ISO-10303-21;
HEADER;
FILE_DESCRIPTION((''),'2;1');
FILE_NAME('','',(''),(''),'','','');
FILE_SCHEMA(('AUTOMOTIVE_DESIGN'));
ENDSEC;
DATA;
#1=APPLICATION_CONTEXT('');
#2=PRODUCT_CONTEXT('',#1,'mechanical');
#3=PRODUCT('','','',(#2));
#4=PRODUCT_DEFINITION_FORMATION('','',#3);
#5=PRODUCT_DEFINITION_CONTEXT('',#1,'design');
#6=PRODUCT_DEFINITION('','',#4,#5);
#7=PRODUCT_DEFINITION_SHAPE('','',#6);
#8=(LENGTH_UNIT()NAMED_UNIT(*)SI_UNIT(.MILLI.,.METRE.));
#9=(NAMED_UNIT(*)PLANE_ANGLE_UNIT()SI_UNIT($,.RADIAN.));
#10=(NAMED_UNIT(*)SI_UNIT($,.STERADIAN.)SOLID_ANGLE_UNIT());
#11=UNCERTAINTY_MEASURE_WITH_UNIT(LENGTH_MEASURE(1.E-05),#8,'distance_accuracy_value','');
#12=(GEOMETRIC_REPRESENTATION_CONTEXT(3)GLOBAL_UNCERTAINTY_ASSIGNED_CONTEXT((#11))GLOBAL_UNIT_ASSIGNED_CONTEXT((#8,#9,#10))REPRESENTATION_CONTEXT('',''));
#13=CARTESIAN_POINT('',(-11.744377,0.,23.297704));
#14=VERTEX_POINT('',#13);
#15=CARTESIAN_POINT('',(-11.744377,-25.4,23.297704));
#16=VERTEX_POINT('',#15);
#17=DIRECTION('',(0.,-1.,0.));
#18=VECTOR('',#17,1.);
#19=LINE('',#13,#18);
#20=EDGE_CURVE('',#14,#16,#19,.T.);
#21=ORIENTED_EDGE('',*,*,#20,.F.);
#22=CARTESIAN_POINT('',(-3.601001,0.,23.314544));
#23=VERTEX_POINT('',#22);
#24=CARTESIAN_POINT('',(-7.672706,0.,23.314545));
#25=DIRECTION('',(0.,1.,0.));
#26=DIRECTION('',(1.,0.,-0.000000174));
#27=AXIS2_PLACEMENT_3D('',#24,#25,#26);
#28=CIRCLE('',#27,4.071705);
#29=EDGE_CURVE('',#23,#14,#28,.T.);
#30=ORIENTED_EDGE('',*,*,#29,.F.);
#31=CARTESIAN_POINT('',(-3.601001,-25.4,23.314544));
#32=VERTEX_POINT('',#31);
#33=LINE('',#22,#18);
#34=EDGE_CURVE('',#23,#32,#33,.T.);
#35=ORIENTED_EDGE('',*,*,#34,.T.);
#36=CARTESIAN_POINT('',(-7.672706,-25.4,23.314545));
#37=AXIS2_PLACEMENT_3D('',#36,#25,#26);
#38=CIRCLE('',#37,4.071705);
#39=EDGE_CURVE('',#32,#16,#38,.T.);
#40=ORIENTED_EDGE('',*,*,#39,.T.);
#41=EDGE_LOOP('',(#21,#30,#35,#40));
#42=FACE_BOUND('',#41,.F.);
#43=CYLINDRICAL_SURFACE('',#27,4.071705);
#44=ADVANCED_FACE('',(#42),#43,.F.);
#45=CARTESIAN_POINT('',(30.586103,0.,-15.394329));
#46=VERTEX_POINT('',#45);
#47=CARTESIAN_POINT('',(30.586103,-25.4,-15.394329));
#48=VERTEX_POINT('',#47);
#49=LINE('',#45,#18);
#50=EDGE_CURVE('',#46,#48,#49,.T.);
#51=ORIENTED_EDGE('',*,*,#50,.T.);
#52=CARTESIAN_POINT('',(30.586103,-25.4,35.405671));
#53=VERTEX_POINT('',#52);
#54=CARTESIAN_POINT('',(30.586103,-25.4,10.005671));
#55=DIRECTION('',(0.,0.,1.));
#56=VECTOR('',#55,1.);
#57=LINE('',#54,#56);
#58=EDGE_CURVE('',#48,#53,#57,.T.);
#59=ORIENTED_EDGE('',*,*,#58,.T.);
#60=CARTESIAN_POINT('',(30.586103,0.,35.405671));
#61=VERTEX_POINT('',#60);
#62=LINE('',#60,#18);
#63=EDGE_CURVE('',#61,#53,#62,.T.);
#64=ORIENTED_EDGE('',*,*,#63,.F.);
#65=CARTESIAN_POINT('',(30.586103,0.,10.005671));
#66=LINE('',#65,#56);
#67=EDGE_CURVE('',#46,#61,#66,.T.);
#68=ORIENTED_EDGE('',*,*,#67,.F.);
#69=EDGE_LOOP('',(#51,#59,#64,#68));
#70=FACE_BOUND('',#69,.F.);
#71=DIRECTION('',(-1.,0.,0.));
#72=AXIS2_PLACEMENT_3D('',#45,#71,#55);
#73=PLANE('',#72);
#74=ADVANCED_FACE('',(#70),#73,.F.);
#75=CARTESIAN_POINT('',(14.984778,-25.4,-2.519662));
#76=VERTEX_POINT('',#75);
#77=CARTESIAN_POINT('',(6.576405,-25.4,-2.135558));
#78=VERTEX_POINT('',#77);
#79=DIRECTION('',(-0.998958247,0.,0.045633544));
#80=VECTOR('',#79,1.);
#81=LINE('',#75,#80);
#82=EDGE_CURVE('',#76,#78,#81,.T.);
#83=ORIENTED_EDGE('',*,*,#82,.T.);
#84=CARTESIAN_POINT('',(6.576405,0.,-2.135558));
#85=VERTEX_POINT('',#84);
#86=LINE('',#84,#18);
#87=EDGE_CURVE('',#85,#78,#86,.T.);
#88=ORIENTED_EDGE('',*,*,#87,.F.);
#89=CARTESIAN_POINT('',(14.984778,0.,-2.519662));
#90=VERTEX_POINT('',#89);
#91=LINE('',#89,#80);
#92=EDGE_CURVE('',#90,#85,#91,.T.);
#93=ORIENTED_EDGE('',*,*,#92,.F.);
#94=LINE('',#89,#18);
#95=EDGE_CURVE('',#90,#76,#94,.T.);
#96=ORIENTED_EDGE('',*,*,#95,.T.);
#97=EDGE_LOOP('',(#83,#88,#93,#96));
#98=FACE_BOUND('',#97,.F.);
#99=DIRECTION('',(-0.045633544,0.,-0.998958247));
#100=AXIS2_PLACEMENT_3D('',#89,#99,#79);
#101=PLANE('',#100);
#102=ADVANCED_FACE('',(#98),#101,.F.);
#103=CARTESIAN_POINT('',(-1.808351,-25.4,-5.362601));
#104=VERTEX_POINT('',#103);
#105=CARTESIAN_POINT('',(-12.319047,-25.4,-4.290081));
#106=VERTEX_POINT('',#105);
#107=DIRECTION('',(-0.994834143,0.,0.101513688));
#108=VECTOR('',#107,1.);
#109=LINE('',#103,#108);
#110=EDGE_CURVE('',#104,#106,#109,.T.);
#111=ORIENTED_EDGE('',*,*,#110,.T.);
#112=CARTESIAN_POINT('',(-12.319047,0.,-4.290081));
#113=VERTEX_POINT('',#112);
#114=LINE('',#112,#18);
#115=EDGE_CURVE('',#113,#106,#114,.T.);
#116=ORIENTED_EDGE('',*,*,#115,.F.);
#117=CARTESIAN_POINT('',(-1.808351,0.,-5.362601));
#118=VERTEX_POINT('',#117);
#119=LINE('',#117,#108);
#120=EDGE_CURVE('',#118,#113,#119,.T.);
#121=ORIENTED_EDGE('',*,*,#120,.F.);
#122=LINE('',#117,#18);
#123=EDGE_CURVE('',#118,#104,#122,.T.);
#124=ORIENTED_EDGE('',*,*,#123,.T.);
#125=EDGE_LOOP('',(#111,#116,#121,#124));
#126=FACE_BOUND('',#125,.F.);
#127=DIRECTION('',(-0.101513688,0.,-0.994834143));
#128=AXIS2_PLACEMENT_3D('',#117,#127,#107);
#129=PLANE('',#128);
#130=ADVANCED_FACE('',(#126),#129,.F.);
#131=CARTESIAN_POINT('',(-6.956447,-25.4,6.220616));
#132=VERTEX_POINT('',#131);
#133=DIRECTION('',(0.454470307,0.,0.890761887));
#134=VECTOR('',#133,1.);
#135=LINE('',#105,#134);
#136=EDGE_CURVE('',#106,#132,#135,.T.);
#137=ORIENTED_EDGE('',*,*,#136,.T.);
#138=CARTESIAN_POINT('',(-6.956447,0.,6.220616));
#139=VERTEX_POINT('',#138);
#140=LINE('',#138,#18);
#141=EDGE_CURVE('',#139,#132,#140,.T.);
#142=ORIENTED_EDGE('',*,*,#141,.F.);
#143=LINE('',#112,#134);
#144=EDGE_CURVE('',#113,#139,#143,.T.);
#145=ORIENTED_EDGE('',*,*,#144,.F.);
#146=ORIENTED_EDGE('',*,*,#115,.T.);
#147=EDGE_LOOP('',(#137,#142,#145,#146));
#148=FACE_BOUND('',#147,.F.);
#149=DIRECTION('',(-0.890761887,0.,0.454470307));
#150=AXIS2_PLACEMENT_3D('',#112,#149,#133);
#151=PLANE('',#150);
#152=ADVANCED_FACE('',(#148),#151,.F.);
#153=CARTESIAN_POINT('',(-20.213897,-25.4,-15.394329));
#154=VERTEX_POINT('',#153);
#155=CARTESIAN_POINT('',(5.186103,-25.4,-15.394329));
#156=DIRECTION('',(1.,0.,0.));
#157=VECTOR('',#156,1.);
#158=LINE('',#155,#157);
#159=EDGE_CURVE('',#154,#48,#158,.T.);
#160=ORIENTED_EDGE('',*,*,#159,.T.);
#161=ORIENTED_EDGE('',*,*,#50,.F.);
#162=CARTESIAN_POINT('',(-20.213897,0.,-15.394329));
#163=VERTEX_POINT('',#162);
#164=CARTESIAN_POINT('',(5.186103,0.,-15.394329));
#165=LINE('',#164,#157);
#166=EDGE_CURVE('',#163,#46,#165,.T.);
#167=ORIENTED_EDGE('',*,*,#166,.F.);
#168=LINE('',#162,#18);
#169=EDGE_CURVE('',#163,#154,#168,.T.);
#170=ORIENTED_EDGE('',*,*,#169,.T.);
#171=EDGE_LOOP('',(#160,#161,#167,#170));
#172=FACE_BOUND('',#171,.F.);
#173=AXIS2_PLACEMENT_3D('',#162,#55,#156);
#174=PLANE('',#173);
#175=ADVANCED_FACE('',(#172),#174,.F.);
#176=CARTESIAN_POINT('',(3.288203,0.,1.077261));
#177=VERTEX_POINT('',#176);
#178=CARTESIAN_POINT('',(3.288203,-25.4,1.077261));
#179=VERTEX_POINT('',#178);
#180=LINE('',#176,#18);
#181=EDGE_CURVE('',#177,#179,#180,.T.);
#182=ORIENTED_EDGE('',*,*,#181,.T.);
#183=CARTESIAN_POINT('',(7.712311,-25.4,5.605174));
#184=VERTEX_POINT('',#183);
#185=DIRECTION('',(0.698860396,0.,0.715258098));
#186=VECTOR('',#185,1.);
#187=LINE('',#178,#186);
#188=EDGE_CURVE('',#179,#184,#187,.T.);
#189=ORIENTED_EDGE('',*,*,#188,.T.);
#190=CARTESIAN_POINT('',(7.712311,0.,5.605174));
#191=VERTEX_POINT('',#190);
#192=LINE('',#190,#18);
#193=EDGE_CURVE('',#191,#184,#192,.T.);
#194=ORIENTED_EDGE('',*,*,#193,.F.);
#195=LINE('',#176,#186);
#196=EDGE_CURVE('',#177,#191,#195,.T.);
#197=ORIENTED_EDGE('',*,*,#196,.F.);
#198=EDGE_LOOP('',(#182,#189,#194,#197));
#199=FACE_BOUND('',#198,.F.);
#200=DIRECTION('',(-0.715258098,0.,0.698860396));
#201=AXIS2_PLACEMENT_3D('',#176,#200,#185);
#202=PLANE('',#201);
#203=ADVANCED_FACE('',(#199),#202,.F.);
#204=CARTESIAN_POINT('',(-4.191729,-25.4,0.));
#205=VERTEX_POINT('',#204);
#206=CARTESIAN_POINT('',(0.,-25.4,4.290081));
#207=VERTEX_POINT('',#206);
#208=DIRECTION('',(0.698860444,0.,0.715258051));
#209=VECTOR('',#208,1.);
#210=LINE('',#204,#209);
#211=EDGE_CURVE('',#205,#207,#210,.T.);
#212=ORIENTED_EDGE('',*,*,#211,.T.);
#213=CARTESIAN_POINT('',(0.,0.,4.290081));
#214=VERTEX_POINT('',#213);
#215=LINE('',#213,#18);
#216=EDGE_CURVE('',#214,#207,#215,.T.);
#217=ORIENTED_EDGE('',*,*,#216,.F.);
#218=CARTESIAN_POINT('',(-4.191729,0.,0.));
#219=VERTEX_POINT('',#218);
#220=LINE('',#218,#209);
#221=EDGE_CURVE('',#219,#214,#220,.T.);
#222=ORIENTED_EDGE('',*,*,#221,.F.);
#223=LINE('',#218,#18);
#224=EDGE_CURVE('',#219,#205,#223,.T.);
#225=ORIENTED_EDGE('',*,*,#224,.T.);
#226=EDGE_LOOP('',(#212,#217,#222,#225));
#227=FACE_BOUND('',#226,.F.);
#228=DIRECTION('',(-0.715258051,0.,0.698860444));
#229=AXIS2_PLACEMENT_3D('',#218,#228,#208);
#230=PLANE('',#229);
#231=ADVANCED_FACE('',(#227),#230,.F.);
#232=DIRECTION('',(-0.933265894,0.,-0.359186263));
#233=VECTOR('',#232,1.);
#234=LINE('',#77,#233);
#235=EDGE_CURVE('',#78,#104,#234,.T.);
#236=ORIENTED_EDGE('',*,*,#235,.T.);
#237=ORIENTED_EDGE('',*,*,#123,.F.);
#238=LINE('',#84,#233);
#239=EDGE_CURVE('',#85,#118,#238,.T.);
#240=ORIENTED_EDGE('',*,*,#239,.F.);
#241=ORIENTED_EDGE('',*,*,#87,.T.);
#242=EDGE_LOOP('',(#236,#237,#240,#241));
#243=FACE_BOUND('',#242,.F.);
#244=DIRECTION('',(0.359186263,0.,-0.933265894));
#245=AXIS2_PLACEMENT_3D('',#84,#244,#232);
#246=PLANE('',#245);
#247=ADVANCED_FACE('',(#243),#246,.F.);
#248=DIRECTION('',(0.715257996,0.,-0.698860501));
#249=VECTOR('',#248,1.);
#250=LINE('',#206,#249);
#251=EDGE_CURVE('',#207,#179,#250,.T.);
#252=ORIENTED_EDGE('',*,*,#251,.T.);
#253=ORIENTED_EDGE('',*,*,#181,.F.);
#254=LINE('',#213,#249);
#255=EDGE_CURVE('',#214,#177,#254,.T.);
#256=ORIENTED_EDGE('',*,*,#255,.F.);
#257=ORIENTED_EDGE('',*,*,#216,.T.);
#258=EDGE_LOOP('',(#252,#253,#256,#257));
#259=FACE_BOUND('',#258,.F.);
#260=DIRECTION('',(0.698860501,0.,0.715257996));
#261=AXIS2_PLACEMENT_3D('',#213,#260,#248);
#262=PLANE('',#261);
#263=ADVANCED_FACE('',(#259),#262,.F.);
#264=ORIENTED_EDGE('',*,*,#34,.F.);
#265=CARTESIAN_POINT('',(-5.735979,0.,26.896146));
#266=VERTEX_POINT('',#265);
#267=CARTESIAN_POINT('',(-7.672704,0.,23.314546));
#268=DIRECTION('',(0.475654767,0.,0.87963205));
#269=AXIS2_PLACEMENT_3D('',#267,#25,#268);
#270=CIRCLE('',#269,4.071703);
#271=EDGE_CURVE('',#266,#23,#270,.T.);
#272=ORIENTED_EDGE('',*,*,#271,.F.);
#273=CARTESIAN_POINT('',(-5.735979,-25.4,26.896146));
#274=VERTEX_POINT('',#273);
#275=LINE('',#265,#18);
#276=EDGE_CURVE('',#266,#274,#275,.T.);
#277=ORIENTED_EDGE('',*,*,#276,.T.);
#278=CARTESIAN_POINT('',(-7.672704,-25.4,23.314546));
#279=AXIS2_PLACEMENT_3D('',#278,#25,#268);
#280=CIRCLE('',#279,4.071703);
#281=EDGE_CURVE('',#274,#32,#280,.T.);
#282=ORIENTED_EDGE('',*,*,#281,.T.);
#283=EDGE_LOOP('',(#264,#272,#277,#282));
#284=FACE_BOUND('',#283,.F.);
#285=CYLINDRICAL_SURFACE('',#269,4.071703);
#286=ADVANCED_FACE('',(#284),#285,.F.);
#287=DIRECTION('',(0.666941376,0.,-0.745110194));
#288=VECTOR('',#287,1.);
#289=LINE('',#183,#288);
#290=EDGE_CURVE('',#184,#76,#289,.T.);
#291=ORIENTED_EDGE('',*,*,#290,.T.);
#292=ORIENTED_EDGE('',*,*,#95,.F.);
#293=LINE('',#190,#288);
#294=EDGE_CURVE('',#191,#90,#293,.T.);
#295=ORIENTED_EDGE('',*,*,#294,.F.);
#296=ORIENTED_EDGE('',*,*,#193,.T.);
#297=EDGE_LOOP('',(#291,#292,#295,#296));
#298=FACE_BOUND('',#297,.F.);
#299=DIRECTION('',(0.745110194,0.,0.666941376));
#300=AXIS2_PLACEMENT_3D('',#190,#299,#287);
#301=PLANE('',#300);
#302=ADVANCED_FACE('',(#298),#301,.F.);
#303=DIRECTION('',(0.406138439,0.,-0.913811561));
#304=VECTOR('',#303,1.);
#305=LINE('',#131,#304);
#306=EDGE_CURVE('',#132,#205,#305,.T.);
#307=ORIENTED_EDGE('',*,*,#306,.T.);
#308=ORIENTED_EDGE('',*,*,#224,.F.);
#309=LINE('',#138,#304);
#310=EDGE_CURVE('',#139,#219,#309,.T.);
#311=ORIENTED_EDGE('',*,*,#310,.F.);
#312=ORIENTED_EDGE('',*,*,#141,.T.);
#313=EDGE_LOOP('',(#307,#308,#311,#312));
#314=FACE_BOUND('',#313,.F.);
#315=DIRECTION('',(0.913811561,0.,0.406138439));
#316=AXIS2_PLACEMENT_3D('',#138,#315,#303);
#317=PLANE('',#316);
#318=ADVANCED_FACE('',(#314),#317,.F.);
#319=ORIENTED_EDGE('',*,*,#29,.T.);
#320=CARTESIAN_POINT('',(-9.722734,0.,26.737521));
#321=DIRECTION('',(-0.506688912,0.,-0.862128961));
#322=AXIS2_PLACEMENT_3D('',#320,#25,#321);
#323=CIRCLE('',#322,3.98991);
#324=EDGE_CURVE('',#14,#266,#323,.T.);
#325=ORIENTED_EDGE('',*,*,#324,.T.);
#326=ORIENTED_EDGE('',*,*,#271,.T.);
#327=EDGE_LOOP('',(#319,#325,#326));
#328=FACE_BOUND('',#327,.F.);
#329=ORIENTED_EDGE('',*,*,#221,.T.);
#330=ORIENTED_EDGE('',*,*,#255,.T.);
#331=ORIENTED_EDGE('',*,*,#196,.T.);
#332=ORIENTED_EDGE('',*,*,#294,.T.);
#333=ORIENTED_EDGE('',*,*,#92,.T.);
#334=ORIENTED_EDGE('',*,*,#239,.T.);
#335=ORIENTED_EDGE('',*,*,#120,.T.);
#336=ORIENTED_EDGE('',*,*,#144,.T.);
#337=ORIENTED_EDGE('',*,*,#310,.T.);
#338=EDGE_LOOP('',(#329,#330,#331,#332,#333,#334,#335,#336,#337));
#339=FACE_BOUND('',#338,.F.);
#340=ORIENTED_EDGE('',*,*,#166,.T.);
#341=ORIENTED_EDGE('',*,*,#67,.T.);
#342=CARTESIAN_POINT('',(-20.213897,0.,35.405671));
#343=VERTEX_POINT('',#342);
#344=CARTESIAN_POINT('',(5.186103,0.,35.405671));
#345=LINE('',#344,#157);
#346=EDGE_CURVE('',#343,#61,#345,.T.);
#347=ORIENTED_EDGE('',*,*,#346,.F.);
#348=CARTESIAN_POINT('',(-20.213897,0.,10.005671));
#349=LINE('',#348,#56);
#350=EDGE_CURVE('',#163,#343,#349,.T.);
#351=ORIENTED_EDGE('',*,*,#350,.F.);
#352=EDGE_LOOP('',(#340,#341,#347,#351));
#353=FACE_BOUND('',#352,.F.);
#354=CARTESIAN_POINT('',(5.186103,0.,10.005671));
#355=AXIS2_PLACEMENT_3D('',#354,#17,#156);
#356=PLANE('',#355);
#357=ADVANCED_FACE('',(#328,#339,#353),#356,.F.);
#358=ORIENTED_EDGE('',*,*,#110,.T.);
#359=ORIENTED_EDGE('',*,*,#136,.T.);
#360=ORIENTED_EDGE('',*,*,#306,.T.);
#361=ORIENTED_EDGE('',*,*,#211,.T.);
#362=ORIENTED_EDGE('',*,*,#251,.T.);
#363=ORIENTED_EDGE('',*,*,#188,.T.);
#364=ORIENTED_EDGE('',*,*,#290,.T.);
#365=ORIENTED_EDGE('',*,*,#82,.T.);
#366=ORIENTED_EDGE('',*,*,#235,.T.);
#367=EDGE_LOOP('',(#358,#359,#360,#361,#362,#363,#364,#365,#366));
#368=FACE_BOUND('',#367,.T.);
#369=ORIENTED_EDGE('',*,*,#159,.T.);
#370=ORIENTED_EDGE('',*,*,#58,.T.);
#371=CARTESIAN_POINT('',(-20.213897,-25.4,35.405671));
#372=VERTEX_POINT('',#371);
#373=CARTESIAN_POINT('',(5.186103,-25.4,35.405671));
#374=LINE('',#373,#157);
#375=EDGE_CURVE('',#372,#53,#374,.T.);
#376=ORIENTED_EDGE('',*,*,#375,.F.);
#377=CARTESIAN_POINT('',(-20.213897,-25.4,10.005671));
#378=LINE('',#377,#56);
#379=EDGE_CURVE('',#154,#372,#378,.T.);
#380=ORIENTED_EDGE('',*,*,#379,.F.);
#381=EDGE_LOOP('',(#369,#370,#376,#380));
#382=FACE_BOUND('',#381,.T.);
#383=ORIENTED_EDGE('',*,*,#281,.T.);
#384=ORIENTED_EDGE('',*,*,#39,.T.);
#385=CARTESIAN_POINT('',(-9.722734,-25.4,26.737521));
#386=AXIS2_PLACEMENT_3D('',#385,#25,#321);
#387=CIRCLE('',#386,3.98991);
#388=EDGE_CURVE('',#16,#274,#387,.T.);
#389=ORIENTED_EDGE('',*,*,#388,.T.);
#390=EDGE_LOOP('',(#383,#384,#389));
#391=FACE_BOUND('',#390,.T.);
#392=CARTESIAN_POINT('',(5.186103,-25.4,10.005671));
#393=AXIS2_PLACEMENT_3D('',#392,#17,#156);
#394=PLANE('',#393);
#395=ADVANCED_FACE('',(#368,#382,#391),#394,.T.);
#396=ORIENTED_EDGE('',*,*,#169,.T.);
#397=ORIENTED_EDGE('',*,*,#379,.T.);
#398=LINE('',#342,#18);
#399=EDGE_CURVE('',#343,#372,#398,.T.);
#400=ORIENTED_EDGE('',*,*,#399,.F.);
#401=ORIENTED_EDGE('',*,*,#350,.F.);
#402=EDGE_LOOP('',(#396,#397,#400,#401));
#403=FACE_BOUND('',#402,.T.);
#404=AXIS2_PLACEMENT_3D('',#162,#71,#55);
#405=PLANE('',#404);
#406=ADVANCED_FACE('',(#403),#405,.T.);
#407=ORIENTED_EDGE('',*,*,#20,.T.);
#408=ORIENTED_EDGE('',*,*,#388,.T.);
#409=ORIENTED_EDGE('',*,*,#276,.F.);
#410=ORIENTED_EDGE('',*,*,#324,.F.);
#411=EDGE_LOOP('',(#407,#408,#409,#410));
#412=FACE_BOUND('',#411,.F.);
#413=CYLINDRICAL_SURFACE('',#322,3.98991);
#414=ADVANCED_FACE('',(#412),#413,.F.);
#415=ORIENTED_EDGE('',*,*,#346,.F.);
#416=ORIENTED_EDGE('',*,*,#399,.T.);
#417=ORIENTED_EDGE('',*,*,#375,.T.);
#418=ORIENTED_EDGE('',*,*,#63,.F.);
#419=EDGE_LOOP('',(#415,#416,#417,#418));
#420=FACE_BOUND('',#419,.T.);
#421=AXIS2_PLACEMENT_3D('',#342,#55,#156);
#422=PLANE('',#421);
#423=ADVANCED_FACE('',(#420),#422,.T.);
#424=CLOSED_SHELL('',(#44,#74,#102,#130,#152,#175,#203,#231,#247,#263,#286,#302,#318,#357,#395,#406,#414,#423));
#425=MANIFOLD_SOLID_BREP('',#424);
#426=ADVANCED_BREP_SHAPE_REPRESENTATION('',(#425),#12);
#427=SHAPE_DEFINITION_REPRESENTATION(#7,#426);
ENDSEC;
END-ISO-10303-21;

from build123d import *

# Parameters (mm, degrees)
F0_W     = 50.8
F0_H     = 50.8
F1_DEPTH = 25.4


with BuildPart() as f1:
    # F0 (on Front) → F1 (new body)
    with BuildSketch(Plane.XZ):
        with Locations((5.186103, 10.005671)):
            Rectangle(F0_W, F0_H)
        Polygon((-1.808351, -5.362601), (-12.319047, -4.290081), (-6.956447, 6.220616), (-4.191729, 0), (0, 4.290081), (3.288203, 1.077261), (7.712311, 5.605174), (14.984778, -2.519662), (6.576405, -2.135558), align=None, mode=Mode.SUBTRACT)
        with BuildLine():
            ThreePointArc((-11.744377, 23.297704), (-11.772761, 30.160497), (-5.735979, 26.896146))
            ThreePointArc((-5.735979, 26.896146), (-4.175238, 25.399371), (-3.601001, 23.314544))
            ThreePointArc((-3.601001, 23.314544), (-7.664286, 19.242848), (-11.744377, 23.297704))
        make_face(mode=Mode.SUBTRACT)
    extrude(amount=F1_DEPTH)


solid = f1.part
